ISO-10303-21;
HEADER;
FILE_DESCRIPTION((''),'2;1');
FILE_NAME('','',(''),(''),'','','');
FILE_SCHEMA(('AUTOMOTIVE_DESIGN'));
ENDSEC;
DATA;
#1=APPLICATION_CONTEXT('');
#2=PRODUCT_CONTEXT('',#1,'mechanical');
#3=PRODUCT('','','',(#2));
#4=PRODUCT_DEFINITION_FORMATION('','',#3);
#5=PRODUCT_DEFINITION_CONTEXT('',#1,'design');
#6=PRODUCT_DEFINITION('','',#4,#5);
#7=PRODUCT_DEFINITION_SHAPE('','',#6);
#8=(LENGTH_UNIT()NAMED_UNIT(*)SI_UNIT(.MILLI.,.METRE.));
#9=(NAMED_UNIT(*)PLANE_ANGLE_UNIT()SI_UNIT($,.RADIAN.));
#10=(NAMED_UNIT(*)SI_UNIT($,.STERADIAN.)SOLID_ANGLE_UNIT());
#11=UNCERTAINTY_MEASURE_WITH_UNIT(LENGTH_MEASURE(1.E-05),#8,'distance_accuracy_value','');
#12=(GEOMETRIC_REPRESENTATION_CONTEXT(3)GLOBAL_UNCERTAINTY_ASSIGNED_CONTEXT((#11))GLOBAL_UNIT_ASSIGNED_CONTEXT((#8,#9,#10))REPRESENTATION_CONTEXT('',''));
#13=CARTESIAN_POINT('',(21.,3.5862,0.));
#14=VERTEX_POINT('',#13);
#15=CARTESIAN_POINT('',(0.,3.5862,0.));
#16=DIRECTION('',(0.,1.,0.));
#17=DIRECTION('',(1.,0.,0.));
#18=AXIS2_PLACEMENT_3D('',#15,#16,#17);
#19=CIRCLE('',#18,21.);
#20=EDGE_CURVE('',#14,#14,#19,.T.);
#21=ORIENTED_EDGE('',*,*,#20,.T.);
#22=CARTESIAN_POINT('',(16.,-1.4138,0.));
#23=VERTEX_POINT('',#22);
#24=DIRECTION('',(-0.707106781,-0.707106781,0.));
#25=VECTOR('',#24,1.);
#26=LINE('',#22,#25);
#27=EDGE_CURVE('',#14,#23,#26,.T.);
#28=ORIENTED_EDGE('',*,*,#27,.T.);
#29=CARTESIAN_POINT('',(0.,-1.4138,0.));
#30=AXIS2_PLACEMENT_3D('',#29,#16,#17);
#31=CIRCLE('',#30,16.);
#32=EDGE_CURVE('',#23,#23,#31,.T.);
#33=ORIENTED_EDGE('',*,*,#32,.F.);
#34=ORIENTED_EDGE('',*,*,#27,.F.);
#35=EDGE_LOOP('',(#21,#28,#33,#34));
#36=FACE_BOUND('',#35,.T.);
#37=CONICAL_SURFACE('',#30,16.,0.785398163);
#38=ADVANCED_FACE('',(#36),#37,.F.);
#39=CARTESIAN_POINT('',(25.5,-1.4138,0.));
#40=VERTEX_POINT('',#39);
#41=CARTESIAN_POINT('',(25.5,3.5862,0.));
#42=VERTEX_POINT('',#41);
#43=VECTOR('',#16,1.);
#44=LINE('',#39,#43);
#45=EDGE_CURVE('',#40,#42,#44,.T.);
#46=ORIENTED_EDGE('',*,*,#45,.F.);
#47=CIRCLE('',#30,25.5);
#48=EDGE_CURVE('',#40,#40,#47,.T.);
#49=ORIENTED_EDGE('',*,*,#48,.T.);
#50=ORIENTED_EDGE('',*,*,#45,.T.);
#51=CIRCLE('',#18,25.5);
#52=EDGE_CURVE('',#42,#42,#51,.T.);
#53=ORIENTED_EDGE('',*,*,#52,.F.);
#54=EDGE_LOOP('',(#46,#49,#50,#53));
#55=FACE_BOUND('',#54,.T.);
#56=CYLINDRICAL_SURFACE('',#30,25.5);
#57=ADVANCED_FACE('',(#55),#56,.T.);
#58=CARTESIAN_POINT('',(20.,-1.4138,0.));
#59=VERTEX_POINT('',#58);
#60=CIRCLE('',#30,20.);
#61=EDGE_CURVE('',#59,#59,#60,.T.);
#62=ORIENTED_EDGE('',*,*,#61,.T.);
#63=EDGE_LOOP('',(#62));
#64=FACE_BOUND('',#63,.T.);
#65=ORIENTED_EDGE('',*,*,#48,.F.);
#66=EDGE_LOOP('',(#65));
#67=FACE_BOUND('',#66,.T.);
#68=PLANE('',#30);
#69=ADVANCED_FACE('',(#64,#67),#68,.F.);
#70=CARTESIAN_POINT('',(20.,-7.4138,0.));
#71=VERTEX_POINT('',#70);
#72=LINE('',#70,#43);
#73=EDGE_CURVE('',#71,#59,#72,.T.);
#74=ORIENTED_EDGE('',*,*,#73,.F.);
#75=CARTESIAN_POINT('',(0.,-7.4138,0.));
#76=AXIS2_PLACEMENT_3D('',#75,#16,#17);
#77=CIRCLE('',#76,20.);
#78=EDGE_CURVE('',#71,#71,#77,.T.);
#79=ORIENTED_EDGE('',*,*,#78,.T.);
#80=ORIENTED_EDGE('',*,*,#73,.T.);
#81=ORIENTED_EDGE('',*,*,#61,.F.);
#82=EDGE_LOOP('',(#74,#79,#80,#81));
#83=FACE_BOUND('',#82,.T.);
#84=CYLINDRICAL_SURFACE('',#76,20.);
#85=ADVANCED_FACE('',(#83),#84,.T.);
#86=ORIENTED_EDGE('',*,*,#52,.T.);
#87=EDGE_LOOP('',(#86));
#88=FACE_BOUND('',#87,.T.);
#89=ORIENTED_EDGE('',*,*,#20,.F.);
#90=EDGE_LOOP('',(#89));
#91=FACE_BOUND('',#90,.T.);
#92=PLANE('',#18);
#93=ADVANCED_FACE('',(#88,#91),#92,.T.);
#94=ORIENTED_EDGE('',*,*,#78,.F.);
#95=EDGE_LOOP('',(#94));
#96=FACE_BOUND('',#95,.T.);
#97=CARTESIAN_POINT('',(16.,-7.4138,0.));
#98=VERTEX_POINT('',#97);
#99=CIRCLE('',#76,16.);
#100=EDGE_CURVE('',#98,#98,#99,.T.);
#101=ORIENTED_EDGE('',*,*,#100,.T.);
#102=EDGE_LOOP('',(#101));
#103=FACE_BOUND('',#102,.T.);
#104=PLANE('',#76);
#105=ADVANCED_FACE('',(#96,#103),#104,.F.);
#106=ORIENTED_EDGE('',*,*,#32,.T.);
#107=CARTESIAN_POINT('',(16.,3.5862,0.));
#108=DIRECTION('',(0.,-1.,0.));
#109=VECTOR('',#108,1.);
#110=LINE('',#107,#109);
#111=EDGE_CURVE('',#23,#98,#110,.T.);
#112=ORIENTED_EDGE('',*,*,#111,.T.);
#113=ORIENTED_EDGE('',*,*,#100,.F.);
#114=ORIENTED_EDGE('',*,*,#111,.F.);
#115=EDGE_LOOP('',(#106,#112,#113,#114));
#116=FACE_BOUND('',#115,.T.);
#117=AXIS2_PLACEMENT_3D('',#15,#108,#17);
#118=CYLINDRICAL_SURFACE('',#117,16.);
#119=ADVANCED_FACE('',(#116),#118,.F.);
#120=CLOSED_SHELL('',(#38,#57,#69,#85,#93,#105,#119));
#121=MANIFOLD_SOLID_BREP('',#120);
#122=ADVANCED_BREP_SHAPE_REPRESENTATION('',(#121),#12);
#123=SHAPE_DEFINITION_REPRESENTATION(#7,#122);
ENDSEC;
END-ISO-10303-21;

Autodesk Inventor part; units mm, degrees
ref_plane "YZ Plane" through (0, 0, 0) normal (1, 0, 0) x (0, 1, 0)
ref_plane "XZ Plane" through (0, 0, 0) normal (0, 1, 0) x (-1, 0, 0)
ref_plane "XY Plane" through (0, 0, 0) normal (0, 0, 1) x (1, 0, 0)
sketch "Sketch1" plane through (0, 0, 0) normal (0, 0, 1) x (1, 0, 0)
  line L0 (0, -8.5138) -> (0, 6.8862) projected
  line L1 (16, 3.5862) -> (16, -7.4138)
  line L2 (16, -7.4138) -> (20, -7.4138)
  line L3 (20, -7.4138) -> (20, -1.4138)
  line L4 (20, -1.4138) -> (25.5, -1.4138)
  line L5 (25.5, -1.4138) -> (25.5, 3.5862)
  line L6 (25.5, 3.5862) -> (16, 3.5862)
  dimension "d0" = 32
  dimension "d1" = 51
  dimension "d2" = 40
  dimension "d3" = 5
  dimension "d4" = 11
revolve "Revolution1" add sketch "Sketch1" angle 360 about axis through (0, -10, 0) along (0, 1, 0)
chamfer "Chamfer1" distance 5 angle 45 1 edges at (-16, 3.5862, 0)
properties part number "Seat" material "Bronze, Soft Tin"
